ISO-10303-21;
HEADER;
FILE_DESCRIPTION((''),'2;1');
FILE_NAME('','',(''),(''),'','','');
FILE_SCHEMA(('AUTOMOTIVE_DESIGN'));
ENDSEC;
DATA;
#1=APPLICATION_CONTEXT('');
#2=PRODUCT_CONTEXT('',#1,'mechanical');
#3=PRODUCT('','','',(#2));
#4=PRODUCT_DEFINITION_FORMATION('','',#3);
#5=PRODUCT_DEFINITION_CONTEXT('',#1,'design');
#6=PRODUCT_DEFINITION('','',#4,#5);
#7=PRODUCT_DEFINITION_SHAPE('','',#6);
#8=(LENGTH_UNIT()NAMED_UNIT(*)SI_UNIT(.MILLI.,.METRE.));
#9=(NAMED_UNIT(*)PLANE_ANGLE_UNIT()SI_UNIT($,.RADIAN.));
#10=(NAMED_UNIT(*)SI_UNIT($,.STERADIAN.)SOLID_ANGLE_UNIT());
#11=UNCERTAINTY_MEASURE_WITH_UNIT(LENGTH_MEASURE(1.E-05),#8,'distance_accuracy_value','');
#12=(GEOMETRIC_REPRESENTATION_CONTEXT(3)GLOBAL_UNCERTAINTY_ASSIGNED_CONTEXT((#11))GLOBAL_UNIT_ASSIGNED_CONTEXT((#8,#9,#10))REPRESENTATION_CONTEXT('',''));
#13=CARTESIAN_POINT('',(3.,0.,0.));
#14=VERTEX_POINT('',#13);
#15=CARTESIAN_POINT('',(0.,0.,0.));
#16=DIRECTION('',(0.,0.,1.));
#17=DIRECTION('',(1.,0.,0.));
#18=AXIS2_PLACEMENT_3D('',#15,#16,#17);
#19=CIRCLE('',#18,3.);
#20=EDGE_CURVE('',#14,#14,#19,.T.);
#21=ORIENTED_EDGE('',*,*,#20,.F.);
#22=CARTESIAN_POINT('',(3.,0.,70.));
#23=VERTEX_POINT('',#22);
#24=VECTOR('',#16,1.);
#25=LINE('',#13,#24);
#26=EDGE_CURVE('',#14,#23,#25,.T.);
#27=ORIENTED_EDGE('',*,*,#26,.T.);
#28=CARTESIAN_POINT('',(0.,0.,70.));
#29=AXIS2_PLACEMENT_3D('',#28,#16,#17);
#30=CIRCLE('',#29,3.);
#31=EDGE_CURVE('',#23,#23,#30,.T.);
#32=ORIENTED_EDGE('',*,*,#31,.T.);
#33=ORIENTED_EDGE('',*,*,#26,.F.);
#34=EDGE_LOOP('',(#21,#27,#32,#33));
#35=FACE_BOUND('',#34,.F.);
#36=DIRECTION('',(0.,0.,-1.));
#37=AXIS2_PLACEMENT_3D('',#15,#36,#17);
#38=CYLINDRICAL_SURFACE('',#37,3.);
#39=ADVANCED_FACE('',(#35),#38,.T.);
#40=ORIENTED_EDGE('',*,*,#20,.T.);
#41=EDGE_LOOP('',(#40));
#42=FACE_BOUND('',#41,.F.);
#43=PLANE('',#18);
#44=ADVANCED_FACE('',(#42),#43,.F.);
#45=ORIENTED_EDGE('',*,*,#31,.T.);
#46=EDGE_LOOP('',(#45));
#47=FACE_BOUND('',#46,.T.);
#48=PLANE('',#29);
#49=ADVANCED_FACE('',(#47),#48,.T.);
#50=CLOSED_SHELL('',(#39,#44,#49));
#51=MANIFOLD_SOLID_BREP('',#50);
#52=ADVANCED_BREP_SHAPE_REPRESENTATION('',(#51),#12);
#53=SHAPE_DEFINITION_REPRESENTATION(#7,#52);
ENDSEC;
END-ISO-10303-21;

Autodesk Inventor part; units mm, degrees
ref_plane "YZ Plane" through (0, 0, 0) normal (1, 0, 0) x (0, 1, 0)
ref_plane "XZ Plane" through (0, 0, 0) normal (0, 1, 0) x (-1, 0, 0)
ref_plane "XY Plane" through (0, 0, 0) normal (0, 0, 1) x (1, 0, 0)
sketch "Эскиз1" plane through (0, 0, 0) normal (0, 0, 1) x (1, 0, 0)
  circle A0 centre (0, 0) radius 3
  dimension "d0" = 6
extrude "Выдавливание1" add sketch "Эскиз1" along normal blind 70
properties part number "вал пуляло 25-26"
